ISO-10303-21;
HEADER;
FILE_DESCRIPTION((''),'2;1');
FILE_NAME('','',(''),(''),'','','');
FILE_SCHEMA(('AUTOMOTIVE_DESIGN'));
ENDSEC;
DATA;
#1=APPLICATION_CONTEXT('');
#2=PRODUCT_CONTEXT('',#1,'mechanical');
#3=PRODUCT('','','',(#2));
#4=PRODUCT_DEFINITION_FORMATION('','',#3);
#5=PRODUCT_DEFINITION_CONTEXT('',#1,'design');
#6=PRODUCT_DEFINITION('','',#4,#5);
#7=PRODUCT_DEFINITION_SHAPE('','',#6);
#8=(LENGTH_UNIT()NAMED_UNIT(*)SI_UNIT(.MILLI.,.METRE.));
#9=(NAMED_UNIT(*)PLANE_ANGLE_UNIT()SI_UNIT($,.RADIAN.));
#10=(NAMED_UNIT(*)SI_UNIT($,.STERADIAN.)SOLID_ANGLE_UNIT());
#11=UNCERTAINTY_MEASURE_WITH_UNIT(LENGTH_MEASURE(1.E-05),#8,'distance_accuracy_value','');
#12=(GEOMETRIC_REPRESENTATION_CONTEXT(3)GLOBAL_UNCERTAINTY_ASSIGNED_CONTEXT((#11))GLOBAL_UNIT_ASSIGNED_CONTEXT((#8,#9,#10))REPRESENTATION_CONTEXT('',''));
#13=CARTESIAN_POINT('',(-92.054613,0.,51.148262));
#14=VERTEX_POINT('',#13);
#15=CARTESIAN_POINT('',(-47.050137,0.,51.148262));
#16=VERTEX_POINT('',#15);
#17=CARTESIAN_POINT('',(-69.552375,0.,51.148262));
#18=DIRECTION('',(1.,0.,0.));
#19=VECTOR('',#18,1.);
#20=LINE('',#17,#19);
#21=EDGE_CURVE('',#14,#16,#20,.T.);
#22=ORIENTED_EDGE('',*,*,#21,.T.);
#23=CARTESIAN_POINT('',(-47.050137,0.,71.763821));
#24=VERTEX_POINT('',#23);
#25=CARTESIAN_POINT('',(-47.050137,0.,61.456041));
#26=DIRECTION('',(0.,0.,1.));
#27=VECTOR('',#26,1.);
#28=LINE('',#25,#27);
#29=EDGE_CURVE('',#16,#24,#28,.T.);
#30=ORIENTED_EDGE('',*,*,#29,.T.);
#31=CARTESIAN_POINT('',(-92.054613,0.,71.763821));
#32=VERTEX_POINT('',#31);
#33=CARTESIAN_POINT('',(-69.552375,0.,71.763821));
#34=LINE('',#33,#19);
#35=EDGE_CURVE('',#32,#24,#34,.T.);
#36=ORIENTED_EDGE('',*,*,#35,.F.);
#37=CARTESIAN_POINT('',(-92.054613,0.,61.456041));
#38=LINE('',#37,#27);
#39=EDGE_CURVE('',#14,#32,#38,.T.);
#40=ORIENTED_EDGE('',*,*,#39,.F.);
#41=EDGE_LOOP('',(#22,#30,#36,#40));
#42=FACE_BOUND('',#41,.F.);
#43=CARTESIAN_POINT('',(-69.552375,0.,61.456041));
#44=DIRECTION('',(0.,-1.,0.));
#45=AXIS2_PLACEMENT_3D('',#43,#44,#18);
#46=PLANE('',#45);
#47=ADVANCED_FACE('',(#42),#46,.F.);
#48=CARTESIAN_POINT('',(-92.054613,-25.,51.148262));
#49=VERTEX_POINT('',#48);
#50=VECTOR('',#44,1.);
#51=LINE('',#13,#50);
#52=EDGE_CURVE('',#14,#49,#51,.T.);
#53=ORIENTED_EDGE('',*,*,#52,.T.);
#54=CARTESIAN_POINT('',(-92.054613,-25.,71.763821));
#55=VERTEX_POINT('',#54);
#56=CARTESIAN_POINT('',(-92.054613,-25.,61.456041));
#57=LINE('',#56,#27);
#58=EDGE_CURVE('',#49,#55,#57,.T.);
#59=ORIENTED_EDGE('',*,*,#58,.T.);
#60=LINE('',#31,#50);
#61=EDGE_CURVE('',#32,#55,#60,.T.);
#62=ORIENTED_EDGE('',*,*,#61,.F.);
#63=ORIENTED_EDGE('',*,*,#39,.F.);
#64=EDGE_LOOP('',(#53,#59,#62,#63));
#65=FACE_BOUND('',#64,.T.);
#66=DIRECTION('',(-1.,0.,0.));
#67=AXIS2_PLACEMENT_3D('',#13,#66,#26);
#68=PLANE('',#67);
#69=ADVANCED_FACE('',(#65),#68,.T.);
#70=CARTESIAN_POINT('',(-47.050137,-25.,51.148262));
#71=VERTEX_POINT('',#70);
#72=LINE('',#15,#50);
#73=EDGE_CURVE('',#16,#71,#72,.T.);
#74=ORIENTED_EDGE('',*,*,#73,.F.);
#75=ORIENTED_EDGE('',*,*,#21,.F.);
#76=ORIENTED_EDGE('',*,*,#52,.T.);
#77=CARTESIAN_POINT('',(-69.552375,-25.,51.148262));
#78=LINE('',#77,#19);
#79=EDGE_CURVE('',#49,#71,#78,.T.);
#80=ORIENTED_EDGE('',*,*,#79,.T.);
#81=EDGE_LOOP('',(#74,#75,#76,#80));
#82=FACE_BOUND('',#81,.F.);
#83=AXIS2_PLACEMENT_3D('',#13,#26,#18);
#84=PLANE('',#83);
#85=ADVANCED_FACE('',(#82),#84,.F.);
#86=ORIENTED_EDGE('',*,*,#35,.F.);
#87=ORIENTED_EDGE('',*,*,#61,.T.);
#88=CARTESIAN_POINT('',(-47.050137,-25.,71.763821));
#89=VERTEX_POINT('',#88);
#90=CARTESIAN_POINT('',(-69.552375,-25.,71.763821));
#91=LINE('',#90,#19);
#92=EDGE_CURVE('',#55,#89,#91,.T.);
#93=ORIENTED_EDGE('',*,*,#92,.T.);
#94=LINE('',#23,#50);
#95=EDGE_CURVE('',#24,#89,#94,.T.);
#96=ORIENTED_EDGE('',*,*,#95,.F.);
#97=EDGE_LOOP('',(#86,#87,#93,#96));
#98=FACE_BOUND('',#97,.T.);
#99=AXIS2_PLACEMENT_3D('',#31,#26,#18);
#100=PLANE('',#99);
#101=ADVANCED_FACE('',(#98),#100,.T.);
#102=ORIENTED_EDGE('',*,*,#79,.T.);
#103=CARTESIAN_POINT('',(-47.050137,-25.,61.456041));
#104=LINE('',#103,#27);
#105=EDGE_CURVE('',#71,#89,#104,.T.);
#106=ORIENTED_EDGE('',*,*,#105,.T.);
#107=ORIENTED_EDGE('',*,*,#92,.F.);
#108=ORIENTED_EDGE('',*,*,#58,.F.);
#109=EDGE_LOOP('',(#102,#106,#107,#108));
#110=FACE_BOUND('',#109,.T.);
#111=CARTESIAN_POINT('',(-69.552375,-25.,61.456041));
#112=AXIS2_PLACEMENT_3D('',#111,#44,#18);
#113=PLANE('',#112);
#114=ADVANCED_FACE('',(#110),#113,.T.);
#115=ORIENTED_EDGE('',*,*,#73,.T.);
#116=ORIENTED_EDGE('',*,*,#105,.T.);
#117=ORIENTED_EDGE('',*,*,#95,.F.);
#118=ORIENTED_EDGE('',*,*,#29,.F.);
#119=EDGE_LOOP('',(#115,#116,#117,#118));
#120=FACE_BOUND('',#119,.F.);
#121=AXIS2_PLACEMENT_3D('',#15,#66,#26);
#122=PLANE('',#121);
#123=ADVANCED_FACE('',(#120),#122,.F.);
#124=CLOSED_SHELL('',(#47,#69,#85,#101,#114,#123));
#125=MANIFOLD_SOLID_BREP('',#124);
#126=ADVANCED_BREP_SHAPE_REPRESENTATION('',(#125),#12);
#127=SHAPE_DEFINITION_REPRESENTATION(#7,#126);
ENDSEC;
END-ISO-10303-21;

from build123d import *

# Parameters (mm, degrees)
F0_R     = 27.8864811647
F1_DEPTH = 25
F0_W     = 45.0044758618
F0_H     = 20.6155590713


with BuildPart() as f1:
    # F0 (on Front) → F1 (new body)
    with BuildSketch(Plane.XZ):
        with Locations((-136.4746242762, 8.3838962018)):
            Circle(F0_R)
    extrude(amount=F1_DEPTH)


with BuildPart() as f1b:
    # F0 (on Front) → F1, piece 2 (new body)
    with BuildSketch(Plane.XZ):
        with Locations((-69.5523750037, 61.4560414106)):
            Rectangle(F0_W, F0_H)
    extrude(amount=F1_DEPTH)


solid = f1b.part
